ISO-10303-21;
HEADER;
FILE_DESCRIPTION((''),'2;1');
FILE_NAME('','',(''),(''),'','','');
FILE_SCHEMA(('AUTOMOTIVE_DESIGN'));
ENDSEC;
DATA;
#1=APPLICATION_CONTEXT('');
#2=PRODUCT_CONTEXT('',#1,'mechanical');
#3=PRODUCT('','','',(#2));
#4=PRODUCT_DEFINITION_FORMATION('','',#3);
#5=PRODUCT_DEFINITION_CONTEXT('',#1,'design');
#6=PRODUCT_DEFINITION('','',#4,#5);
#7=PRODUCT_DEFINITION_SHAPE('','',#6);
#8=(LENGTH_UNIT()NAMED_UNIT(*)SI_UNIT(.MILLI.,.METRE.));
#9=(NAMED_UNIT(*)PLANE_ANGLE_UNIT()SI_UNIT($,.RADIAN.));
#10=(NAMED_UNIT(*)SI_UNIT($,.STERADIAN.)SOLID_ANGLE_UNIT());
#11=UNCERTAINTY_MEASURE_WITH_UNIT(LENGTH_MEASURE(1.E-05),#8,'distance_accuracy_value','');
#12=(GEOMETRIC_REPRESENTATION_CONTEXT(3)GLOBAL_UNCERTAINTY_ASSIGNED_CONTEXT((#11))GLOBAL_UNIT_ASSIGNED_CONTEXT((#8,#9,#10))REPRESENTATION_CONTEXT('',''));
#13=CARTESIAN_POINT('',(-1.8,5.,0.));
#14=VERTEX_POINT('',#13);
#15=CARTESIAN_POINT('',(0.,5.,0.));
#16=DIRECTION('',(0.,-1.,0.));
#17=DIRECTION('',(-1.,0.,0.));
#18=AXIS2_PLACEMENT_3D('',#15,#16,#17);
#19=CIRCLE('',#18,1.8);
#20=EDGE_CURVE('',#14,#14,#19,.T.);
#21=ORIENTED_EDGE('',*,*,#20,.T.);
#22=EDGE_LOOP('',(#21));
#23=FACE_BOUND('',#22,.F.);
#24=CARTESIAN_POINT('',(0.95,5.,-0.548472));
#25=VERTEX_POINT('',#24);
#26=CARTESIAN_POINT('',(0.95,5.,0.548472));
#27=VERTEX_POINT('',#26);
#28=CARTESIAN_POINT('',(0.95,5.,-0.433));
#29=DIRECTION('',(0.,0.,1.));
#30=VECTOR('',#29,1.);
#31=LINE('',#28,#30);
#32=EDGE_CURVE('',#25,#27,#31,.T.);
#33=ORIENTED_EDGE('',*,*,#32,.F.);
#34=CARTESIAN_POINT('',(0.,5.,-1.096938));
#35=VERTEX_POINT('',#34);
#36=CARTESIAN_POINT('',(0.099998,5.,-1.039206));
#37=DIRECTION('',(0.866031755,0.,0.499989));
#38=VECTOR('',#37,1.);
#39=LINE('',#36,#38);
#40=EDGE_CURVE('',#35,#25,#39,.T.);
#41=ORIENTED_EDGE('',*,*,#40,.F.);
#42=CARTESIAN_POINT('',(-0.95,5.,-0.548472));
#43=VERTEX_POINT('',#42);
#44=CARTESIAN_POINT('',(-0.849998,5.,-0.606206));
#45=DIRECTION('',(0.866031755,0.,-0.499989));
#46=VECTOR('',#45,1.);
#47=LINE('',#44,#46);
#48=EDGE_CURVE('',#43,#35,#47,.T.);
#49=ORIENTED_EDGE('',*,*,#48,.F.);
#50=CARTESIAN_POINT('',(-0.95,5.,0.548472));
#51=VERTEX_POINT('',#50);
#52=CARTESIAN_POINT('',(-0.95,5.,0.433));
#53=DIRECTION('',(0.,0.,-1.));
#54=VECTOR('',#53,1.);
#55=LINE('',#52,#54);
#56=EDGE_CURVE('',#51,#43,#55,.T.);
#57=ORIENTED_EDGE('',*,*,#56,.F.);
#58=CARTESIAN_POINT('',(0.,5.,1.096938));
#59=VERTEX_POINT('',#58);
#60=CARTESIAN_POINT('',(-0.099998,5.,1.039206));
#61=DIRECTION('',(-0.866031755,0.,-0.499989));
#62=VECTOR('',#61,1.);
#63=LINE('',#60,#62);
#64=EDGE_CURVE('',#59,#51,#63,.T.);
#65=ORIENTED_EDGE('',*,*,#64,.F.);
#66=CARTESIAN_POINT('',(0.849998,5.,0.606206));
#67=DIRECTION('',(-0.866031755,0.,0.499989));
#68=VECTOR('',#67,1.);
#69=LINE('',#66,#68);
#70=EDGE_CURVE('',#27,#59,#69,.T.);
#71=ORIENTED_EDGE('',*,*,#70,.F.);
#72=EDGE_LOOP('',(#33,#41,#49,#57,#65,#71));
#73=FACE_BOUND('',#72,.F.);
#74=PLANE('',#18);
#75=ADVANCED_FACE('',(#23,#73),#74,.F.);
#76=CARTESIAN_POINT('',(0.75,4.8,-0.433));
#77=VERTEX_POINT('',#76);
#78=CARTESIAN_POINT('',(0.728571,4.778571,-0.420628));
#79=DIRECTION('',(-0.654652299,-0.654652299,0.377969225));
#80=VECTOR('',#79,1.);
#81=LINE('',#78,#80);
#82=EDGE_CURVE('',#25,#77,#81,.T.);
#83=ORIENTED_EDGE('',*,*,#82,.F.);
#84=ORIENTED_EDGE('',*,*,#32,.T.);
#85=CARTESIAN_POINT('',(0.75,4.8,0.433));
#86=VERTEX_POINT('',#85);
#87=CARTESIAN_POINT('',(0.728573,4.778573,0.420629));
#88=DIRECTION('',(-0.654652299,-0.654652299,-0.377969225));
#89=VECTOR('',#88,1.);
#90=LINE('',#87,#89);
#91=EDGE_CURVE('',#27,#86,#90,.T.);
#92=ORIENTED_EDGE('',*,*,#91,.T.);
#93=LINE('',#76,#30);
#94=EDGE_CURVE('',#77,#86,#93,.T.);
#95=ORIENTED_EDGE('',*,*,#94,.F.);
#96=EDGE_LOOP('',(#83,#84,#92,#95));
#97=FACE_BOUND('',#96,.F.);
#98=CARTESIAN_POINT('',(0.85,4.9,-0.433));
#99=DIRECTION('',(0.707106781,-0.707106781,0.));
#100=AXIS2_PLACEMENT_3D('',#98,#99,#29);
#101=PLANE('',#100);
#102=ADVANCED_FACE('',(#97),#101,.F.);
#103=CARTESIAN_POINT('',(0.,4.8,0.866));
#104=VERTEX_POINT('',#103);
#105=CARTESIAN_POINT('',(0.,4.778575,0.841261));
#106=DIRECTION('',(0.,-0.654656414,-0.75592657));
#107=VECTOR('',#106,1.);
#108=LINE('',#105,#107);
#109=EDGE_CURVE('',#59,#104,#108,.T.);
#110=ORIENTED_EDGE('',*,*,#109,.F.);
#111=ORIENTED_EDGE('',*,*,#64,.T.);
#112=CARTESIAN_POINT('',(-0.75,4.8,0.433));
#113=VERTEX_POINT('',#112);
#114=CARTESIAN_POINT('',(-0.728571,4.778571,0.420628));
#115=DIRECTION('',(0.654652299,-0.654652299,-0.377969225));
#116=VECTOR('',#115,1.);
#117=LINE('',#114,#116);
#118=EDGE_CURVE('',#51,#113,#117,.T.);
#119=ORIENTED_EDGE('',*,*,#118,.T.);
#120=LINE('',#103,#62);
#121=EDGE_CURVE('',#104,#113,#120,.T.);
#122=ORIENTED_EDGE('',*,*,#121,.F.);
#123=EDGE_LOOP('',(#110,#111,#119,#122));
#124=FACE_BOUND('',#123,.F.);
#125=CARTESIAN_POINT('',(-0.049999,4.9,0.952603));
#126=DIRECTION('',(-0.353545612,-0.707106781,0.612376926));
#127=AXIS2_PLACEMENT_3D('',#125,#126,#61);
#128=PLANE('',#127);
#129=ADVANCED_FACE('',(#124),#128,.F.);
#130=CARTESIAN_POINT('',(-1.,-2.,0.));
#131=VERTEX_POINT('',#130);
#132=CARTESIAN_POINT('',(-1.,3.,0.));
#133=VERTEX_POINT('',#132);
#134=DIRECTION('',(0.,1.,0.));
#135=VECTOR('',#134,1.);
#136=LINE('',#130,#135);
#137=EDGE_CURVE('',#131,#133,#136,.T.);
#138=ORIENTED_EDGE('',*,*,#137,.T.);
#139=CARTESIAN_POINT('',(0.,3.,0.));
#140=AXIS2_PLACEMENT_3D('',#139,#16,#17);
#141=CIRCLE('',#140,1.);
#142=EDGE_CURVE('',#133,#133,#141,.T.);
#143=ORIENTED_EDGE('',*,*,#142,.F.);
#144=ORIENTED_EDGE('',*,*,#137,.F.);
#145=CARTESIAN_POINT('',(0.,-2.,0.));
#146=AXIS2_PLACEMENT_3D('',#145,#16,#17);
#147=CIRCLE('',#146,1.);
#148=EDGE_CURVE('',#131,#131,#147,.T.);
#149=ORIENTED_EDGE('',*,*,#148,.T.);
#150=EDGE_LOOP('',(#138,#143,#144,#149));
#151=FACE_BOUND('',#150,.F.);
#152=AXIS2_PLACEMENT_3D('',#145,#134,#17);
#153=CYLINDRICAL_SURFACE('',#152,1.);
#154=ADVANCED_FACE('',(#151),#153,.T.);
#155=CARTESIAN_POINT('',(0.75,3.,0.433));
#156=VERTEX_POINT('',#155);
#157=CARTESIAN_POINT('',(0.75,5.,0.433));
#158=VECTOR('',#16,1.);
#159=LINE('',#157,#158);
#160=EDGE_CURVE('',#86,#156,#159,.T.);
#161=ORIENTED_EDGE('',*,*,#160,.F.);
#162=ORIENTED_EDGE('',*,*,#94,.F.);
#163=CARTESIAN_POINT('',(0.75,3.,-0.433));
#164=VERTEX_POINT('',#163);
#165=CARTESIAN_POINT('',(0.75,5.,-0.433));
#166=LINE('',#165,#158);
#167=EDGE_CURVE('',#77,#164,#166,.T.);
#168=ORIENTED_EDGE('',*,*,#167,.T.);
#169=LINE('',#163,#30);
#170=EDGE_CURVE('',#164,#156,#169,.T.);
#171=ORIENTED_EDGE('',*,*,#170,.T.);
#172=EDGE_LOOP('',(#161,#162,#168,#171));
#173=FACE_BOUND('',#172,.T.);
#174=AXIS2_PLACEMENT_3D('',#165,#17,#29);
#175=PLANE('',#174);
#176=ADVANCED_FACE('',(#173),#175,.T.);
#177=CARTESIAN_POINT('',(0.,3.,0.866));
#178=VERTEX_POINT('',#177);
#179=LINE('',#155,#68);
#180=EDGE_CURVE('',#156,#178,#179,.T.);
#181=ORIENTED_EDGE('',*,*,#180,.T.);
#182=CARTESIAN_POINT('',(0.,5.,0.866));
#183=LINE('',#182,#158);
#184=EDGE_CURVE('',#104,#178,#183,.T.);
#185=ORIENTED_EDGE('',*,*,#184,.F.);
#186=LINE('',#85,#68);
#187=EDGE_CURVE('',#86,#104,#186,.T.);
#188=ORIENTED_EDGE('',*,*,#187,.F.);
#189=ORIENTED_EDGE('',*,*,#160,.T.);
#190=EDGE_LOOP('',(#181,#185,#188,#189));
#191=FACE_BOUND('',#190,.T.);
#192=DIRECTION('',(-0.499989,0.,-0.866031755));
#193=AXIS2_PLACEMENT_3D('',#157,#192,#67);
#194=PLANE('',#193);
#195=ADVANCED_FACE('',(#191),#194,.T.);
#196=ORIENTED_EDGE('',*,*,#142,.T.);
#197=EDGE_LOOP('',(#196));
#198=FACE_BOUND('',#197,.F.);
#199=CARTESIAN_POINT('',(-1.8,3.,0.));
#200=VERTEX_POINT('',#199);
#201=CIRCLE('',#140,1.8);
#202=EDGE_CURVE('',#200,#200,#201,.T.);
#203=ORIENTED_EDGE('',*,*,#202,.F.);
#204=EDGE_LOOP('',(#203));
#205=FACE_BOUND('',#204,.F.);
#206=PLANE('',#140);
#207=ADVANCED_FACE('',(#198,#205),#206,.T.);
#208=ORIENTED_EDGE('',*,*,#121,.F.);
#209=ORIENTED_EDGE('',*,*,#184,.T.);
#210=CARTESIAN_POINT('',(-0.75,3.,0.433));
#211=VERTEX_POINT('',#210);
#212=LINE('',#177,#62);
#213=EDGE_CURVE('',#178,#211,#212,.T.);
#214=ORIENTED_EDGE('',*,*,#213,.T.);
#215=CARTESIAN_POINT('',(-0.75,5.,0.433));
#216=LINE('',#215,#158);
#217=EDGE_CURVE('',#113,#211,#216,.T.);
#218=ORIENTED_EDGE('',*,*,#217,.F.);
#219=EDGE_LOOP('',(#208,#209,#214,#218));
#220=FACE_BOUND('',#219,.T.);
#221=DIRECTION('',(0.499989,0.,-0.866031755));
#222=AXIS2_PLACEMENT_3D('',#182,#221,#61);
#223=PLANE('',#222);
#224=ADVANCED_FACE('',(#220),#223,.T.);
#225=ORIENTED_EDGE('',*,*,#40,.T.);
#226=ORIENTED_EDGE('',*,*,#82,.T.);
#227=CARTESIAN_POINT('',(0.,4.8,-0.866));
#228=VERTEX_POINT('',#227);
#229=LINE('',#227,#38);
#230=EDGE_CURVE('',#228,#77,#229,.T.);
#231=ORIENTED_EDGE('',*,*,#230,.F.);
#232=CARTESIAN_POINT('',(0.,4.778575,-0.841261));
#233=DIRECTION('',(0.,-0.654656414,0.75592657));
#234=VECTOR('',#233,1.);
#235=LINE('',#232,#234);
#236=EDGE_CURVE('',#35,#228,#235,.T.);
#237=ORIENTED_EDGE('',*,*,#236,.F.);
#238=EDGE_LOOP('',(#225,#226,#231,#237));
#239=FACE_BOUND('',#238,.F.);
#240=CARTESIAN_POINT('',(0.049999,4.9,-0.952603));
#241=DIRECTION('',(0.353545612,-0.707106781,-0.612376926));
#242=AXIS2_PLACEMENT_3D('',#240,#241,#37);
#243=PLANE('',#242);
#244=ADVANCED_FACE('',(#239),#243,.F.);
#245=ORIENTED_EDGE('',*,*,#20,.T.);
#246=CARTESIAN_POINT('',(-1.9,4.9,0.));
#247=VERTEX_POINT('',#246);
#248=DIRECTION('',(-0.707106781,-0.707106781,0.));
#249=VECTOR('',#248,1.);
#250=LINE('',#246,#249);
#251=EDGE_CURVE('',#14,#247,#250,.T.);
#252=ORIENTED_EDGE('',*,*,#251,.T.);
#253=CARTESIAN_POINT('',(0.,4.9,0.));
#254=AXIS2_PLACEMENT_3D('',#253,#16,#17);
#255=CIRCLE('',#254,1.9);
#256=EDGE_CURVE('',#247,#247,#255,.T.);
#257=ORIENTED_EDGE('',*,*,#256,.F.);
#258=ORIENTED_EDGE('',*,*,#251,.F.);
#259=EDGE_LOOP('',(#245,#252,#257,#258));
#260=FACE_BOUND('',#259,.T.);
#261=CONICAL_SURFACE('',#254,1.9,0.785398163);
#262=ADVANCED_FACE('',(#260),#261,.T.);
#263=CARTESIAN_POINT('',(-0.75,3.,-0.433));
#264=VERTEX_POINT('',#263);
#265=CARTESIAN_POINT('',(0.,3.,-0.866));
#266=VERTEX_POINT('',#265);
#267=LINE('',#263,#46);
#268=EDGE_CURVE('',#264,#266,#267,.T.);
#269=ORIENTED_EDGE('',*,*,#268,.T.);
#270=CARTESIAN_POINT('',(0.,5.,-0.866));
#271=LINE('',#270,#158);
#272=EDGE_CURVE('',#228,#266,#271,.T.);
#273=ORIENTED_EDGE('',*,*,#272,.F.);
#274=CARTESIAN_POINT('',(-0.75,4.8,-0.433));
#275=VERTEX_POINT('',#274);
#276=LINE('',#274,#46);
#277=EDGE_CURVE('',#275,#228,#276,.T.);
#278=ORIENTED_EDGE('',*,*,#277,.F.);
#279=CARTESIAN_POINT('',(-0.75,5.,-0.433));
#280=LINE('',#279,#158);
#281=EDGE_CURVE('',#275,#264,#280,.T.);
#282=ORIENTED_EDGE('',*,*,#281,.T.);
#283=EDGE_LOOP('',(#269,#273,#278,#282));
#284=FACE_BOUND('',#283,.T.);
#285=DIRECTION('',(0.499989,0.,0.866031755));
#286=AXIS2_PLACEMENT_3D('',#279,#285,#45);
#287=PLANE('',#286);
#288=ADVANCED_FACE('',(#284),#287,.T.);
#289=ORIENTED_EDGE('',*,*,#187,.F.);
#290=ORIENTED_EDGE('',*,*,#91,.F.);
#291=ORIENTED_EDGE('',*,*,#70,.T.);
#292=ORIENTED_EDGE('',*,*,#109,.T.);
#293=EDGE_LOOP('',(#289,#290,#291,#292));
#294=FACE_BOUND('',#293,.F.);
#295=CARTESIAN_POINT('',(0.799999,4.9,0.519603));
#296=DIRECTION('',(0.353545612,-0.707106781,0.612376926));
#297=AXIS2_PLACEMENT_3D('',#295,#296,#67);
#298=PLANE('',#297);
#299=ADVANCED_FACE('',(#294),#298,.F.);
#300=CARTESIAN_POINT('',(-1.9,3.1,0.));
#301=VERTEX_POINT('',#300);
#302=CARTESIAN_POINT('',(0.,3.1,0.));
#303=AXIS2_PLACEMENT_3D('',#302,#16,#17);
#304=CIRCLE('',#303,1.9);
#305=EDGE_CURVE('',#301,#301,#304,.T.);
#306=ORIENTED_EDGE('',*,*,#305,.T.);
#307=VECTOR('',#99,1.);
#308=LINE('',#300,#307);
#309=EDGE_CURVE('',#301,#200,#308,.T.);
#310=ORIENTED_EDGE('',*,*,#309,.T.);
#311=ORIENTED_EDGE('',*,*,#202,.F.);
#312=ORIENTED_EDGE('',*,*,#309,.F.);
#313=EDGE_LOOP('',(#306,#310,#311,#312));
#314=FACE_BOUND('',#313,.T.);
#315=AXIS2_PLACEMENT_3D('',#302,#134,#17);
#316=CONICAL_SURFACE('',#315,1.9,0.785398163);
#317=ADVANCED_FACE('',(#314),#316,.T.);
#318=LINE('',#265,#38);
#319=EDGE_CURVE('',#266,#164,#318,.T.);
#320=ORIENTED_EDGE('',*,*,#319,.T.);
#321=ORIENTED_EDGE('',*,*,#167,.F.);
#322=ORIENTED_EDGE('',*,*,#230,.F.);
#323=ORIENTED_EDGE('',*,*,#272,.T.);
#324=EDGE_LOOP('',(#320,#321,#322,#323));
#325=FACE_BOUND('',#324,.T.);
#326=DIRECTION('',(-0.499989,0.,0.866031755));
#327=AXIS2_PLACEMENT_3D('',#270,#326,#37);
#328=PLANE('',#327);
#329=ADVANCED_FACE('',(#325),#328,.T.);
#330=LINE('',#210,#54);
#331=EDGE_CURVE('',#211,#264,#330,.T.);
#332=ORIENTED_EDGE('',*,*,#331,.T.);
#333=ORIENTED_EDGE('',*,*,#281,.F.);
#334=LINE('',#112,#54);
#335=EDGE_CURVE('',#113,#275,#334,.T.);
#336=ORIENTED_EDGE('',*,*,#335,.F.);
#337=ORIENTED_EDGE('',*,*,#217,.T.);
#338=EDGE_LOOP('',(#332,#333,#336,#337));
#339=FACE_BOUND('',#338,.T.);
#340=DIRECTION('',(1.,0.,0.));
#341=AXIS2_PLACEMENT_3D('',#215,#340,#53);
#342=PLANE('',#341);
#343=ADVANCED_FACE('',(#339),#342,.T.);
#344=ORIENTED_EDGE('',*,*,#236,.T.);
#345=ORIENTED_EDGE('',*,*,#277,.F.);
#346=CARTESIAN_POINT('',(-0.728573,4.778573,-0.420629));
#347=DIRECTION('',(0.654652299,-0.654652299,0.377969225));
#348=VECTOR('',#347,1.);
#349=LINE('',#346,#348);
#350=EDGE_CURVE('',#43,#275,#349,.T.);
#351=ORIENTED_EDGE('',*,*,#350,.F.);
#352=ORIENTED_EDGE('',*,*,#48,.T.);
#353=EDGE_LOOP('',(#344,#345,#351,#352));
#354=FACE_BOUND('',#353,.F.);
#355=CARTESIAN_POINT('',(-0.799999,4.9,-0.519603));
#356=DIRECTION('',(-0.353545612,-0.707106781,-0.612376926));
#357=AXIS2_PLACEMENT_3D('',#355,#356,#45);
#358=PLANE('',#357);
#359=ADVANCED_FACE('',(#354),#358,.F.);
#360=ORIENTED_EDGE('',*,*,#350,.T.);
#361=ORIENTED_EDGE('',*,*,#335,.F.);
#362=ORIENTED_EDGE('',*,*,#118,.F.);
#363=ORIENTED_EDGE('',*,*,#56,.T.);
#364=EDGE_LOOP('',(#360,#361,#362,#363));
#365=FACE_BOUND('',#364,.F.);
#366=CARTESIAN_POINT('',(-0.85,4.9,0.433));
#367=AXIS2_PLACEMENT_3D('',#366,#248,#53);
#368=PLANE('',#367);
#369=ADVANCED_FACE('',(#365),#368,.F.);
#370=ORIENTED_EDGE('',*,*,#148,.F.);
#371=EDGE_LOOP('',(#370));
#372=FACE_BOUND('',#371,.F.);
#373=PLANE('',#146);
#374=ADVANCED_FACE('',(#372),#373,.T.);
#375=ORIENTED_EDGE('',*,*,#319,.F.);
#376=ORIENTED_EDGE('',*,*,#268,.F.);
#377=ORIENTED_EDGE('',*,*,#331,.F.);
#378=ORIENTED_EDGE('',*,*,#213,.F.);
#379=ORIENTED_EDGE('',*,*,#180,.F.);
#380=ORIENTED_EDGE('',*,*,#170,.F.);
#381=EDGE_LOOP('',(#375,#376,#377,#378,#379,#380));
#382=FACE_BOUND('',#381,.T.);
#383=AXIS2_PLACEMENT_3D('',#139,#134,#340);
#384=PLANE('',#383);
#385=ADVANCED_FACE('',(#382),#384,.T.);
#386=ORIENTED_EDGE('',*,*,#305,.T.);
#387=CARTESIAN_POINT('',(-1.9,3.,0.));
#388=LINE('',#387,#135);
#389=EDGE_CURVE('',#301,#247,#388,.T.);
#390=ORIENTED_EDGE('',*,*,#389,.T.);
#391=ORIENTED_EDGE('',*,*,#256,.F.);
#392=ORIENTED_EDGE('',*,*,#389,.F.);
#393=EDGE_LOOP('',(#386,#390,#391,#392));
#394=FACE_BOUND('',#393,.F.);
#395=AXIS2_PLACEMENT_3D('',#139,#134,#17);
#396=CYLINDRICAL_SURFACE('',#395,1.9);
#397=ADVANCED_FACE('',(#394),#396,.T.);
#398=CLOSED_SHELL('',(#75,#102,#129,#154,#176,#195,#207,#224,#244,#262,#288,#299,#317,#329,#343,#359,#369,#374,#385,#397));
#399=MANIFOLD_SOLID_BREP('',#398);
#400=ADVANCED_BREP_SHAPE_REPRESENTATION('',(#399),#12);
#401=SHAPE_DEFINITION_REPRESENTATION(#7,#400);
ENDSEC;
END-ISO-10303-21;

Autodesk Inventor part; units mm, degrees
ref_plane "YZ Plane" through (0, 0, 0) normal (1, 0, 0) x (0, 1, 0)
ref_plane "XZ Plane" through (0, 0, 0) normal (0, 1, 0) x (-1, 0, 0)
ref_plane "XY Plane" through (0, 0, 0) normal (0, 0, 1) x (1, 0, 0)
sketch "スケッチ1" plane through (0, 0, 0) normal (0, 0, 1) x (1, 0, 0)
  line L0 (-1.9, 5) -> (0, 5)
  line L1 (1.9, 5) -> (1.9, 3)
  line L2 (1.9, 3) -> (-1.9, 3)
  line L3 (-1.9, 3) -> (-1.9, 5)
  line L4 (-1, 3) -> (0, 3)
  line L5 (1, 3) -> (1, -2)
  line L6 (1, -2) -> (0, -2)
  line L7 (-1, -2) -> (-1, 3)
  line L8 (0, 5) -> (0, -2)
  line L9 (0, 5) -> (1.9, 5)
  line L10 (0, 3) -> (1, 3)
  line L11 (0, -2) -> (-1, -2)
  point P0 (0, 0)
  dimension "d0" = 2
  dimension "d1" = 1
  dimension "d2" = 5
  dimension "d3" = 3.8
  dimension "d4" = 1.9
  dimension "d5" = 2
revolve "回転1" add sketch "スケッチ1" angle 360 about axis through (0, 5, 0) along (0, -1, 0) contours L0 L8 L2 L3 | L8 L11 L7 L2
thread "ねじ1" size "M2x0.4" class "6g" standard "ANSI Metric M Profile" full length
sketch "スケッチ2" plane through (0, 5, 0) normal (0, 1, 0) x (1, 0, 0)
  line L0 (0, 0.866) -> (0.75, 0.433)
  line L1 (0.75, 0.433) -> (0.75, -0.433)
  line L2 (0.75, -0.433) -> (0, -0.866)
  line L3 (0, -0.866) -> (-0.75, -0.433)
  line L4 (-0.75, -0.433) -> (-0.75, 0.433)
  line L5 (-0.75, 0.433) -> (0, 0.866)
  point P0 (0, 0)
  dimension "d9" = 1.5
extrude "押し出し1" cut sketch "スケッチ2" against normal blind 2
chamfer "面取り1" distance 0.1 angle 45 2 edges at (1.9, 5, 0) (1.9, 3, 0)
chamfer "面取り2" distance 0.2 angle 45 6 edges at (0.375, 5, 0.6495) (-0.375, 5, 0.6495) (-0.75, 5, 0) (-0.375, 5, -0.6495) (0.375, 5, -0.6495) (0.75, 5, 0)
equation "\"d1\" = 0.5 * d0"
equation "\"d4\" = 0.5 * d3"
properties part number "M2_5mm"
